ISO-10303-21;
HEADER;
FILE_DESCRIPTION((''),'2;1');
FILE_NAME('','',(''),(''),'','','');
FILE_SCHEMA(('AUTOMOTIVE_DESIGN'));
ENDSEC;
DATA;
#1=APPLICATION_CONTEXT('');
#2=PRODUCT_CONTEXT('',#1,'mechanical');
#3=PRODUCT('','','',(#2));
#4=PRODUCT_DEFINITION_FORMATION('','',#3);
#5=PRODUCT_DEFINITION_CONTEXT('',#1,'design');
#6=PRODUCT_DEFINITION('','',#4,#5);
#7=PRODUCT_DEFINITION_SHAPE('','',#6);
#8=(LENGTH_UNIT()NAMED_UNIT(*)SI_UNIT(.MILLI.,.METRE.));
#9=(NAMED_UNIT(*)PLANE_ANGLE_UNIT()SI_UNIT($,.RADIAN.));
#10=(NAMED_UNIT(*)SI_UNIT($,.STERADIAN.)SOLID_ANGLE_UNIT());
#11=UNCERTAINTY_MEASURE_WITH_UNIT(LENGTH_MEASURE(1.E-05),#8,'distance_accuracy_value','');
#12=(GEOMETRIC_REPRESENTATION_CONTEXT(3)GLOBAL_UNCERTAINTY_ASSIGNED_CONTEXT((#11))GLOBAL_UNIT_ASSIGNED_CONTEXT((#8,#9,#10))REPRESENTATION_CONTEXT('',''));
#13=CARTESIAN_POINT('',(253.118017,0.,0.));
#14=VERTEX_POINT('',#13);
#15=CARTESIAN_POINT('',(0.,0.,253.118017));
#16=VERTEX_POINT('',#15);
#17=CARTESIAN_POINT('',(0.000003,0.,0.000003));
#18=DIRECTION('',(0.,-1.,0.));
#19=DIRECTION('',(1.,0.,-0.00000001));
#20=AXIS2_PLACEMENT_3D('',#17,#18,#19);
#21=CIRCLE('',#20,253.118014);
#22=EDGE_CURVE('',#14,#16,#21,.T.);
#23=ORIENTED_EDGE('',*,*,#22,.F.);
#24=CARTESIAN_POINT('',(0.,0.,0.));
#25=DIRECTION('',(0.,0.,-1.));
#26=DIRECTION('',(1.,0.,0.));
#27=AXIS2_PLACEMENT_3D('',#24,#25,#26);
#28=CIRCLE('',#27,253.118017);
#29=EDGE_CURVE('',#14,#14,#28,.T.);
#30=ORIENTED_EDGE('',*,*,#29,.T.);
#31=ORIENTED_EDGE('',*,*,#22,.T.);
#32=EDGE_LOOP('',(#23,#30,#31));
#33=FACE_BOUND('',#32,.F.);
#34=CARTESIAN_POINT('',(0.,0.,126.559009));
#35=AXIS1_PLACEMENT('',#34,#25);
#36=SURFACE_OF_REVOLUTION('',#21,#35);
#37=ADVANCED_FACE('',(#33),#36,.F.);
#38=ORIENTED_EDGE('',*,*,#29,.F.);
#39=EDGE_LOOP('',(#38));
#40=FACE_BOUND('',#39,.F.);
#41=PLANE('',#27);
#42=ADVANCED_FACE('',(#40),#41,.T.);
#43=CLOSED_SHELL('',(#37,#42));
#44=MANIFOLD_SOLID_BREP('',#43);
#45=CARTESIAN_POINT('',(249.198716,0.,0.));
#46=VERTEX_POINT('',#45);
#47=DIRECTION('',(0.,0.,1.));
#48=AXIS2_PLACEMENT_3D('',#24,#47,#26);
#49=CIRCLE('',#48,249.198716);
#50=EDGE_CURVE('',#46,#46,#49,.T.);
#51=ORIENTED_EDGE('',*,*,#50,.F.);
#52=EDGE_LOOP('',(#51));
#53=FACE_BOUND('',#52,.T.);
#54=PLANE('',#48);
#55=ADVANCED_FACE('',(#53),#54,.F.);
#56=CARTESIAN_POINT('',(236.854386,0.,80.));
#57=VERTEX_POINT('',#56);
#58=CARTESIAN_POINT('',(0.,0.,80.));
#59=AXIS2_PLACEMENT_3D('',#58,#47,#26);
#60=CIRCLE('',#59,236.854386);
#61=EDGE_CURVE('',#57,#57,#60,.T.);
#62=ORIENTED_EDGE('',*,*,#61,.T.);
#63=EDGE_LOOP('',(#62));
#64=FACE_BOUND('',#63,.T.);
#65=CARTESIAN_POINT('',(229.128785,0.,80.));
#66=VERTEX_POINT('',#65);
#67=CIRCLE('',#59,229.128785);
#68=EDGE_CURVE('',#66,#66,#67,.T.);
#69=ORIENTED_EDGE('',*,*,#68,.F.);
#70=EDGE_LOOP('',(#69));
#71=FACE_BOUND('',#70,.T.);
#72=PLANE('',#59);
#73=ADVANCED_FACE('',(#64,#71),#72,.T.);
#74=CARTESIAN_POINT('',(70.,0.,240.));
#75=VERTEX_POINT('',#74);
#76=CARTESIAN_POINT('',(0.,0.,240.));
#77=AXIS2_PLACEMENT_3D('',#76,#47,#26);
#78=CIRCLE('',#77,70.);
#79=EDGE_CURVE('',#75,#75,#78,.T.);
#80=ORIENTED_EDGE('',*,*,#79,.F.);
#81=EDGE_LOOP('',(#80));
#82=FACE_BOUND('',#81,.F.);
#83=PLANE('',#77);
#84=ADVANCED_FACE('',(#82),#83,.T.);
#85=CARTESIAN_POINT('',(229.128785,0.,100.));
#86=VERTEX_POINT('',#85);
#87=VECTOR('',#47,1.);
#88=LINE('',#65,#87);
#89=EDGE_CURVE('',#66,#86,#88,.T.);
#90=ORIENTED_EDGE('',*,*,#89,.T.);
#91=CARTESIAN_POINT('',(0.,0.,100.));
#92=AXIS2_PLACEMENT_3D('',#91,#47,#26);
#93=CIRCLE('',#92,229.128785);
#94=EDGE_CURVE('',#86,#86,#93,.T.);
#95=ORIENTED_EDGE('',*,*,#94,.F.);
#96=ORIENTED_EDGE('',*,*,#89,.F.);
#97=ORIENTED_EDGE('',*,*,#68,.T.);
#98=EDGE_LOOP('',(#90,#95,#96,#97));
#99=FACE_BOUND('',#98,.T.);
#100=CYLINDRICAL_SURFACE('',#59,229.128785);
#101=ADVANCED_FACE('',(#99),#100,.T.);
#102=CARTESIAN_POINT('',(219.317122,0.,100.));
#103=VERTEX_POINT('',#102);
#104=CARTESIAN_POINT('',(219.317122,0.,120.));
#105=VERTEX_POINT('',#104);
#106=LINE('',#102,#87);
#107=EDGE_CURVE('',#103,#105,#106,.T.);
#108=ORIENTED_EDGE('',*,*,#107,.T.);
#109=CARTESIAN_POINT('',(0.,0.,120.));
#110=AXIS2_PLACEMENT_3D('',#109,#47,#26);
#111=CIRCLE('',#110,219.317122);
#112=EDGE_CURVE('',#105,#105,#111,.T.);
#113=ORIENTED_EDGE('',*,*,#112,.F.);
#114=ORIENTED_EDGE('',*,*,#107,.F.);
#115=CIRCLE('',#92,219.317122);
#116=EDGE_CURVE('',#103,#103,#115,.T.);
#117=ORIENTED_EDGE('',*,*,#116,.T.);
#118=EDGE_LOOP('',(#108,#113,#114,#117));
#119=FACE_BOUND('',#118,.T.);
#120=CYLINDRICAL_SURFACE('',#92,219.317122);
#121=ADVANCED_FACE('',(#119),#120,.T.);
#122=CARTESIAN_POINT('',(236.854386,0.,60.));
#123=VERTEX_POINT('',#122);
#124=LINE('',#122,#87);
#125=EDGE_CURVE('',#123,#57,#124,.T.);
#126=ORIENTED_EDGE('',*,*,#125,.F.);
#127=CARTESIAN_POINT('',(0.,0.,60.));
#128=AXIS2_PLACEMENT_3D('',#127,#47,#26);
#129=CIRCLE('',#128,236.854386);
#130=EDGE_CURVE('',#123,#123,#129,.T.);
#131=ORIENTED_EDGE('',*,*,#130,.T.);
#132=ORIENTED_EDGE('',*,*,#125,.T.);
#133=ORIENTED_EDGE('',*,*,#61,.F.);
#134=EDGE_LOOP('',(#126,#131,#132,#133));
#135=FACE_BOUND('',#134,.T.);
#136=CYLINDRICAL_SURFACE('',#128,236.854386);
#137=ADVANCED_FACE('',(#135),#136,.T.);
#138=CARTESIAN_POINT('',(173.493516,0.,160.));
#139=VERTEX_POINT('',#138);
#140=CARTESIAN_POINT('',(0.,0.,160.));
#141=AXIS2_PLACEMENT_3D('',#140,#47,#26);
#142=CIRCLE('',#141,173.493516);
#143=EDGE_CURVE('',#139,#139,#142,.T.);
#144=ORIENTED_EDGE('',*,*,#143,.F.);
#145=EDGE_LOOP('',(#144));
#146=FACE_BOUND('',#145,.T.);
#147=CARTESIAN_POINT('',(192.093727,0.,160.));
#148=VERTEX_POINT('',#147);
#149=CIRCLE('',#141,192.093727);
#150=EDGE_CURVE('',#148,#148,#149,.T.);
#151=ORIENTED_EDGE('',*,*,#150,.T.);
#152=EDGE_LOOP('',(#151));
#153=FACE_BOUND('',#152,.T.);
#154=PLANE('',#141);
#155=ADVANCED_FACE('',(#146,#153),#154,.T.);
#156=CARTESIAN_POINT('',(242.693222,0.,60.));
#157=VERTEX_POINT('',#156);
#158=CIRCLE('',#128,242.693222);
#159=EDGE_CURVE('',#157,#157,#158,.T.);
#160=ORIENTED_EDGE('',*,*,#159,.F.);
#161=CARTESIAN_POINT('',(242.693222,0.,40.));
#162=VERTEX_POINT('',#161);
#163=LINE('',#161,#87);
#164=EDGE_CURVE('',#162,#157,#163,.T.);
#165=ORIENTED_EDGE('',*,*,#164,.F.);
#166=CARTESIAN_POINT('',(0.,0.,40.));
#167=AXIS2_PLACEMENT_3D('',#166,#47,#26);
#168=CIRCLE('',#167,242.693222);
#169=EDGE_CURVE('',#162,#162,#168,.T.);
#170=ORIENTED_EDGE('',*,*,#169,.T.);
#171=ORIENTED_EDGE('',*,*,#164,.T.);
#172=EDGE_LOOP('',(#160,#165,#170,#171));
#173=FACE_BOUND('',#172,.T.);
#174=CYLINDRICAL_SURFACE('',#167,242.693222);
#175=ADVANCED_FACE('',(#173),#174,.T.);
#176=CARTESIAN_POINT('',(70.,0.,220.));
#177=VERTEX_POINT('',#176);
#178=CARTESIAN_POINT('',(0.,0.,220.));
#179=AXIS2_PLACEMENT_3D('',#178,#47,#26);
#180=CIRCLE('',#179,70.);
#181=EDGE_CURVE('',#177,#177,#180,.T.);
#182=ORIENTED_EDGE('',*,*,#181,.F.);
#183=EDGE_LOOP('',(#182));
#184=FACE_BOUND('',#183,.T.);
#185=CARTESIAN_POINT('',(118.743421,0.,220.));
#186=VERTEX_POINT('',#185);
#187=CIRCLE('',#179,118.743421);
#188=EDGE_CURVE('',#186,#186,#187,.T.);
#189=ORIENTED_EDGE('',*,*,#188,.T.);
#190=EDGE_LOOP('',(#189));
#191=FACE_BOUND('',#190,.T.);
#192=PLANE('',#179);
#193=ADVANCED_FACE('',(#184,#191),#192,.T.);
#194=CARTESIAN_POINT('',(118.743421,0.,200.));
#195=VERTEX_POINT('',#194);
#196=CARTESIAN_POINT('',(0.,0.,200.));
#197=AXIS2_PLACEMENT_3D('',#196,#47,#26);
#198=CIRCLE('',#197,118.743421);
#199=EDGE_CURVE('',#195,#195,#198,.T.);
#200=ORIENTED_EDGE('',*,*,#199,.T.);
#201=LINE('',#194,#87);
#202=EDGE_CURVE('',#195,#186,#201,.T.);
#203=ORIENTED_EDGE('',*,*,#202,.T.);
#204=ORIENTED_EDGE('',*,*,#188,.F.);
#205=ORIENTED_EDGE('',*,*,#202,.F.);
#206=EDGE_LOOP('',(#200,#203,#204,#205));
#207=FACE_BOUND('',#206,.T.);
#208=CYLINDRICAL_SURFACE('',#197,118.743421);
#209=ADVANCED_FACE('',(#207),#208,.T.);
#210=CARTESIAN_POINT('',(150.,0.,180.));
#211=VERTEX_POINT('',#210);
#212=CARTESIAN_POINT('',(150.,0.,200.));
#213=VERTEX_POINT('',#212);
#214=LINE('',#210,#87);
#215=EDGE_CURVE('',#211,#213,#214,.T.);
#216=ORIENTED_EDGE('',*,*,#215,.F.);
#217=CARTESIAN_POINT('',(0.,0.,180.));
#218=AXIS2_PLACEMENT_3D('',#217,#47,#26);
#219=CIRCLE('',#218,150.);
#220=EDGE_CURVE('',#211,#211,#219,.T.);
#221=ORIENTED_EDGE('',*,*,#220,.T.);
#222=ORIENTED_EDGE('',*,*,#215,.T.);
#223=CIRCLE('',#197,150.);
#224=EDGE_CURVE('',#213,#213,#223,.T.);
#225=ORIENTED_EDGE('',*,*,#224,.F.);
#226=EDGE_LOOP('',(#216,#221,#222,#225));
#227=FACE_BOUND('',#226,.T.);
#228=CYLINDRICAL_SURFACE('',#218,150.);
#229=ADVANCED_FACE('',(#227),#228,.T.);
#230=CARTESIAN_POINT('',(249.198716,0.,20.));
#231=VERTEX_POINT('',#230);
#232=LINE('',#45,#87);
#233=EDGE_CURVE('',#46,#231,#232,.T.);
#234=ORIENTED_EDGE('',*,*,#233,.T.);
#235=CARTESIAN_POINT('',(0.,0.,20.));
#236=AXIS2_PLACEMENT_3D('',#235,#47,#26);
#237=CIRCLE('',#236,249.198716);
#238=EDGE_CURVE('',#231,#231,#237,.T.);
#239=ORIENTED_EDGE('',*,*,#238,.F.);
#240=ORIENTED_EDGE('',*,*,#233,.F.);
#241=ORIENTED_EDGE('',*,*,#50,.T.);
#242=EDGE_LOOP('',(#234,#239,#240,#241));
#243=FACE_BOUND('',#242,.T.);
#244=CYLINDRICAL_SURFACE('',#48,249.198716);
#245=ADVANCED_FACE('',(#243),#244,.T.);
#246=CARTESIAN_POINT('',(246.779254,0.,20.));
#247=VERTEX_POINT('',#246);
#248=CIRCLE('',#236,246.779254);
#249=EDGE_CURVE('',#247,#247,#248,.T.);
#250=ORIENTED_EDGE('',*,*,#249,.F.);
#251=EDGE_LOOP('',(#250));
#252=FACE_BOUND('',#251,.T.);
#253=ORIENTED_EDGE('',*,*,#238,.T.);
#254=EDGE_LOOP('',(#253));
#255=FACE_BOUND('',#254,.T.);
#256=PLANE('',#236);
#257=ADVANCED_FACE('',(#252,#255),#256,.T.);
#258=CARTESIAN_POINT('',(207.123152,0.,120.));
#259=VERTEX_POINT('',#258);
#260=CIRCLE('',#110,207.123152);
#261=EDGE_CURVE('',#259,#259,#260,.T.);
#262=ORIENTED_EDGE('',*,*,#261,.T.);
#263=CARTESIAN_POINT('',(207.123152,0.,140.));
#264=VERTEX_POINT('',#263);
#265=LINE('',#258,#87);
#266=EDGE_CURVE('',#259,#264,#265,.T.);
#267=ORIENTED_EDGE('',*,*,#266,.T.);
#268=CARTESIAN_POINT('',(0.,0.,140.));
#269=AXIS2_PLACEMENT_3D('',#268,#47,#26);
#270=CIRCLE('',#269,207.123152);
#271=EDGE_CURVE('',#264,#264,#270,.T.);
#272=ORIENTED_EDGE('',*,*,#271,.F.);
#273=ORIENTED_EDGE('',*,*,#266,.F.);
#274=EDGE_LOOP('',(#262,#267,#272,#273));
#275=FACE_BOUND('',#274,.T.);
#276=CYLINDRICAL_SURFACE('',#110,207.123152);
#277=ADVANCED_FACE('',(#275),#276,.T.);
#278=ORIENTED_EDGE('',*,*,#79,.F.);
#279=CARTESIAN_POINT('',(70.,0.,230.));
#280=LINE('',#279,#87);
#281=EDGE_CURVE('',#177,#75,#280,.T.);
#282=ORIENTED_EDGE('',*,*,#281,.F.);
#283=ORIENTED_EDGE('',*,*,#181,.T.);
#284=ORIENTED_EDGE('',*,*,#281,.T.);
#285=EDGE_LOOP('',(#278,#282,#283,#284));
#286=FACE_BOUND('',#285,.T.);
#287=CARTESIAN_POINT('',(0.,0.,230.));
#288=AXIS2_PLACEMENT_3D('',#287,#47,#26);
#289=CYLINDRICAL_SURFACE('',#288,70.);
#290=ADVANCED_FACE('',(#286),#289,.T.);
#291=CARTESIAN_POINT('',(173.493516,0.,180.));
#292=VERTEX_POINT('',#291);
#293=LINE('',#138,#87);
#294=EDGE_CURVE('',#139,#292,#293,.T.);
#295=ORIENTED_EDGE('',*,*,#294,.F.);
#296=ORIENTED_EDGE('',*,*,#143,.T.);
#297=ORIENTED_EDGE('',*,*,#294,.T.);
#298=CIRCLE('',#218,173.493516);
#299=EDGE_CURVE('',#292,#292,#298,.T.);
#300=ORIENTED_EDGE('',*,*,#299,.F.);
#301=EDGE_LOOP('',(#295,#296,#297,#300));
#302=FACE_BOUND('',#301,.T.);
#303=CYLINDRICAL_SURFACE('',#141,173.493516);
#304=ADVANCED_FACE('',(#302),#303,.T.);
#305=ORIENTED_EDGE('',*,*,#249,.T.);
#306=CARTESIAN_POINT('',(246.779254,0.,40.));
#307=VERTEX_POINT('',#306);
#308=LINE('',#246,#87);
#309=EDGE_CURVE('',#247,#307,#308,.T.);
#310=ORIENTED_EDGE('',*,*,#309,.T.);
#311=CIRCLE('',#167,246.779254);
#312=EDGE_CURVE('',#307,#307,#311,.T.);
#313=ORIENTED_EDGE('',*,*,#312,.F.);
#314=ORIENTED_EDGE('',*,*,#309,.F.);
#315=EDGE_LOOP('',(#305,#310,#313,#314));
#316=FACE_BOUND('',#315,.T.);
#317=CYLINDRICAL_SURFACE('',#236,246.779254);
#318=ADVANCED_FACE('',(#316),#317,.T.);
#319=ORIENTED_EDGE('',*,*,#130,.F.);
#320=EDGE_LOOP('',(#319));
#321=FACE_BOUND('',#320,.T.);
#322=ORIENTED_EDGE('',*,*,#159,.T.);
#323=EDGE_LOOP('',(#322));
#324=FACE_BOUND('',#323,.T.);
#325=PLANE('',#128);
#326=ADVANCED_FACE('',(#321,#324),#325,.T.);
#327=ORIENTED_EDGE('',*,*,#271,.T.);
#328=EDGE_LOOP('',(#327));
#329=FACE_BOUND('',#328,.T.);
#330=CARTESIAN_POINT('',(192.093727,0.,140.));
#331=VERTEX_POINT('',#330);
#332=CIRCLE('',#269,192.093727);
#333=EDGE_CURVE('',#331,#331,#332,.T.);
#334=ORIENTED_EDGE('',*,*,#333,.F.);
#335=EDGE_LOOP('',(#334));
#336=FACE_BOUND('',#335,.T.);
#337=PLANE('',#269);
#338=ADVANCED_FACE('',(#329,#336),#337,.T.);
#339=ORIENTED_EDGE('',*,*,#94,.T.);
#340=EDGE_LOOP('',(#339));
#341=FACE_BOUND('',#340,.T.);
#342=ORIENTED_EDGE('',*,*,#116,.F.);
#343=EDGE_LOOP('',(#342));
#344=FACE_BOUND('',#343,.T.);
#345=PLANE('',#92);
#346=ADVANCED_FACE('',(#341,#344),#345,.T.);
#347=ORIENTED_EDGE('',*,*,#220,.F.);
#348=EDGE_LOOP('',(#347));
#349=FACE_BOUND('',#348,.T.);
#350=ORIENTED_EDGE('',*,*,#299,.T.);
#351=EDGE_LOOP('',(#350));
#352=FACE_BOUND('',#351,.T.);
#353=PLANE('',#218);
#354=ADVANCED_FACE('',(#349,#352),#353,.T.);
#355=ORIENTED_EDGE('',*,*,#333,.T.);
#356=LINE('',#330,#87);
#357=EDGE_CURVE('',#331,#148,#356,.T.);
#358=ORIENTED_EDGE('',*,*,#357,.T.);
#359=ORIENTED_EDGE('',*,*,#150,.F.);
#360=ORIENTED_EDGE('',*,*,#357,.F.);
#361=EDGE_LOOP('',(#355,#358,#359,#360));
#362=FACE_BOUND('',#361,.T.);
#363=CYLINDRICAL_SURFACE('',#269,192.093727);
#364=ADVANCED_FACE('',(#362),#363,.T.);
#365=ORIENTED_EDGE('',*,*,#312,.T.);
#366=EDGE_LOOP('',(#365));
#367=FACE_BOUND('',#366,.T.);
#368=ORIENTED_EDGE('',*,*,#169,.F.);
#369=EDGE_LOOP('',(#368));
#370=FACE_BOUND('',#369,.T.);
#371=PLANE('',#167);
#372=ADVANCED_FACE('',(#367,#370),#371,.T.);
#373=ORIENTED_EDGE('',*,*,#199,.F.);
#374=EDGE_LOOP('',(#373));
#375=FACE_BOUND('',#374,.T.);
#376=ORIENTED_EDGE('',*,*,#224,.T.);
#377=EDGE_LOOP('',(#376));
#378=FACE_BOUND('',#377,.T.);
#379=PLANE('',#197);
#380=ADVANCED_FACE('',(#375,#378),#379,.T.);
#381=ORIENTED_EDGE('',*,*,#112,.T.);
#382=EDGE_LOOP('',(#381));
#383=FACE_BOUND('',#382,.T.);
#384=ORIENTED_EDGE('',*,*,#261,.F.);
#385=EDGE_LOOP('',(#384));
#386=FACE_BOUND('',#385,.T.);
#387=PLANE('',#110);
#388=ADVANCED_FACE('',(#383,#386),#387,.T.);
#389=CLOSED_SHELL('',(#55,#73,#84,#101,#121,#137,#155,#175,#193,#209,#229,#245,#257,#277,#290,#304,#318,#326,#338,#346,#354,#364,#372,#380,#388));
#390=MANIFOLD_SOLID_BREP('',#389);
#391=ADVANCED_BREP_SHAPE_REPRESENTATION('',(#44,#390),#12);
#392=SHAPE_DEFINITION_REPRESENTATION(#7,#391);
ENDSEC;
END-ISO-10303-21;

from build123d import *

# Parameters (mm, degrees)
F0_W = 70
F0_H = 20


with BuildPart() as f1:
    # F0 (on Front) → F1 (revolve)
    with BuildSketch(Plane.XZ):
        with Locations((35, 230)):
            Rectangle(F0_W, F0_H)
        Polygon((118.743421, 220), (70, 220), (0, 220), (0, 200), (118.743421, 200), align=None)
        Polygon((173.493516, 180), (150, 180), (0, 180), (0, 160), (173.493516, 160), align=None)
        Polygon((150, 200), (118.743421, 200), (0, 200), (0, 180), (150, 180), align=None)
        Polygon((0, 160), (0, 140), (192.093727, 140), (192.093727, 160), (173.493516, 160), align=None)
        Polygon((0, 140), (0, 120), (207.123152, 120), (207.123152, 140), (192.093727, 140), align=None)
        Polygon((0, 120), (0, 100), (219.317122, 100), (219.317122, 120), (207.123152, 120), align=None)
        Polygon((0, 100), (0, 80), (229.128785, 80), (229.128785, 100), (219.317122, 100), align=None)
        Polygon((0, 80), (0, 60), (236.854386, 60), (236.854386, 80), (229.128785, 80), align=None)
        Polygon((0, 60), (0, 40), (242.693222, 40), (242.693222, 60), (236.854386, 60), align=None)
        Polygon((0, 40), (0, 20), (246.779254, 20), (246.779254, 40), (242.693222, 40), align=None)
        Polygon((246.779254, 20), (0, 20), (0, 0), (249.198716, 0), (249.198716, 20), align=None)
    revolve(axis=Axis((0, 0, 120), (0, 0, 1)))


with BuildPart() as f3:
    # F2 (on Front) → F3 (revolve)
    with BuildSketch(Plane.XZ):
        with BuildLine():
            Line((0, 0), (253.118017, 0))
            ThreePointArc((253.118017, 0), (178.981467, 178.981467), (0, 253.118017))
            Line((0, 253.118017), (0, 0))
        make_face()
    revolve(axis=Axis((0, 0, 126.559009), (0, 0, -1)))


solid = Compound([f1.part, f3.part])
